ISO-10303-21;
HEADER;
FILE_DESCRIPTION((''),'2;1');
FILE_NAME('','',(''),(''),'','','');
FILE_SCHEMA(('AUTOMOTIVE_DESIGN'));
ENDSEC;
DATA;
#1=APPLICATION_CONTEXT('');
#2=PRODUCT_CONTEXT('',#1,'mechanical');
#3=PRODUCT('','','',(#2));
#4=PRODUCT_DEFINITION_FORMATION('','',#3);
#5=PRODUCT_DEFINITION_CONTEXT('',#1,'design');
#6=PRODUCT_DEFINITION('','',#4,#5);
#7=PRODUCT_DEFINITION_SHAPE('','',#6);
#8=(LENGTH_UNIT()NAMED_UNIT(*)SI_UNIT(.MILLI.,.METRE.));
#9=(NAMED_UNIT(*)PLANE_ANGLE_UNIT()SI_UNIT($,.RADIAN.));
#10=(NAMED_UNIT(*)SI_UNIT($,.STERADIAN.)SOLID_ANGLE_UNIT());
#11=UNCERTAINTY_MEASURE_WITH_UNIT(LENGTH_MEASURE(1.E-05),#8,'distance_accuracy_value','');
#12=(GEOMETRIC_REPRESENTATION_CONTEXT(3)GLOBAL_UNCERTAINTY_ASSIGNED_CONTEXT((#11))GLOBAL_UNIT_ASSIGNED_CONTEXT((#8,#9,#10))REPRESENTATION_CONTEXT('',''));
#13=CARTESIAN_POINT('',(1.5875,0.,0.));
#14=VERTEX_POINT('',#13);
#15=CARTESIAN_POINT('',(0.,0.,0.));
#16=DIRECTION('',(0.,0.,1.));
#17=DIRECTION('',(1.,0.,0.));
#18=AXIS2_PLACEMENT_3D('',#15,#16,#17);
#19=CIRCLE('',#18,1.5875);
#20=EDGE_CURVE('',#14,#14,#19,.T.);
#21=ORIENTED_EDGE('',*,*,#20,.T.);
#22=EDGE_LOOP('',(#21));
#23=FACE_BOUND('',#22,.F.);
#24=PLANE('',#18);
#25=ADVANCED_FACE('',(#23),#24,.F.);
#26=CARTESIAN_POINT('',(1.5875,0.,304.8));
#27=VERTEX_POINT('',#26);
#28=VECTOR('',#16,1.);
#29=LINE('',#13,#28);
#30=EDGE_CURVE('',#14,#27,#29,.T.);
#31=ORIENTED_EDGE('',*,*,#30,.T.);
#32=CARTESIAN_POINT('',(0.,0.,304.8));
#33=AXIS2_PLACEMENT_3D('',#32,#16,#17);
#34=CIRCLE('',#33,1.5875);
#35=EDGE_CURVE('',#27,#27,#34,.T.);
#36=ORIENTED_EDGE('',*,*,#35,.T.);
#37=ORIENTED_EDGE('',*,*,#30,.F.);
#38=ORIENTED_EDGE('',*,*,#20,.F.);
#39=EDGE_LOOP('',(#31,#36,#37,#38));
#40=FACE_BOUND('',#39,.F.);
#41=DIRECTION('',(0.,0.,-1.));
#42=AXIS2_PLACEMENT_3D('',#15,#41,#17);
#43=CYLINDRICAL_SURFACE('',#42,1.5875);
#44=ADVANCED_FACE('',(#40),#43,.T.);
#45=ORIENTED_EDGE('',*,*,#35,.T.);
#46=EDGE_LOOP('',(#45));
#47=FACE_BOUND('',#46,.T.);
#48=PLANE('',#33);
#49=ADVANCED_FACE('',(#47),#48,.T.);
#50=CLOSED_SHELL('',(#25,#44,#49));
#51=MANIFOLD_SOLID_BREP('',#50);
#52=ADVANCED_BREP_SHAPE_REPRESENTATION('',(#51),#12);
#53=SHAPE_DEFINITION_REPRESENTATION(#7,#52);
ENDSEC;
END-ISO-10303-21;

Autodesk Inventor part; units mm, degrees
ref_plane "YZ Plane" through (0, 0, 0) normal (1, 0, 0) x (0, 1, 0)
ref_plane "XZ Plane" through (0, 0, 0) normal (0, 1, 0) x (-1, 0, 0)
ref_plane "XY Plane" through (0, 0, 0) normal (0, 0, 1) x (1, 0, 0)
sketch "Sketch1" plane through (0, 0, 0) normal (0, 0, 1) x (1, 0, 0)
  circle A0 centre (0, 0) radius 1.5875
  dimension "d0" = 3.175
extrude "Extrusion1" add sketch "Sketch1" along normal blind 304.8
properties part number "Lift12inBar"
